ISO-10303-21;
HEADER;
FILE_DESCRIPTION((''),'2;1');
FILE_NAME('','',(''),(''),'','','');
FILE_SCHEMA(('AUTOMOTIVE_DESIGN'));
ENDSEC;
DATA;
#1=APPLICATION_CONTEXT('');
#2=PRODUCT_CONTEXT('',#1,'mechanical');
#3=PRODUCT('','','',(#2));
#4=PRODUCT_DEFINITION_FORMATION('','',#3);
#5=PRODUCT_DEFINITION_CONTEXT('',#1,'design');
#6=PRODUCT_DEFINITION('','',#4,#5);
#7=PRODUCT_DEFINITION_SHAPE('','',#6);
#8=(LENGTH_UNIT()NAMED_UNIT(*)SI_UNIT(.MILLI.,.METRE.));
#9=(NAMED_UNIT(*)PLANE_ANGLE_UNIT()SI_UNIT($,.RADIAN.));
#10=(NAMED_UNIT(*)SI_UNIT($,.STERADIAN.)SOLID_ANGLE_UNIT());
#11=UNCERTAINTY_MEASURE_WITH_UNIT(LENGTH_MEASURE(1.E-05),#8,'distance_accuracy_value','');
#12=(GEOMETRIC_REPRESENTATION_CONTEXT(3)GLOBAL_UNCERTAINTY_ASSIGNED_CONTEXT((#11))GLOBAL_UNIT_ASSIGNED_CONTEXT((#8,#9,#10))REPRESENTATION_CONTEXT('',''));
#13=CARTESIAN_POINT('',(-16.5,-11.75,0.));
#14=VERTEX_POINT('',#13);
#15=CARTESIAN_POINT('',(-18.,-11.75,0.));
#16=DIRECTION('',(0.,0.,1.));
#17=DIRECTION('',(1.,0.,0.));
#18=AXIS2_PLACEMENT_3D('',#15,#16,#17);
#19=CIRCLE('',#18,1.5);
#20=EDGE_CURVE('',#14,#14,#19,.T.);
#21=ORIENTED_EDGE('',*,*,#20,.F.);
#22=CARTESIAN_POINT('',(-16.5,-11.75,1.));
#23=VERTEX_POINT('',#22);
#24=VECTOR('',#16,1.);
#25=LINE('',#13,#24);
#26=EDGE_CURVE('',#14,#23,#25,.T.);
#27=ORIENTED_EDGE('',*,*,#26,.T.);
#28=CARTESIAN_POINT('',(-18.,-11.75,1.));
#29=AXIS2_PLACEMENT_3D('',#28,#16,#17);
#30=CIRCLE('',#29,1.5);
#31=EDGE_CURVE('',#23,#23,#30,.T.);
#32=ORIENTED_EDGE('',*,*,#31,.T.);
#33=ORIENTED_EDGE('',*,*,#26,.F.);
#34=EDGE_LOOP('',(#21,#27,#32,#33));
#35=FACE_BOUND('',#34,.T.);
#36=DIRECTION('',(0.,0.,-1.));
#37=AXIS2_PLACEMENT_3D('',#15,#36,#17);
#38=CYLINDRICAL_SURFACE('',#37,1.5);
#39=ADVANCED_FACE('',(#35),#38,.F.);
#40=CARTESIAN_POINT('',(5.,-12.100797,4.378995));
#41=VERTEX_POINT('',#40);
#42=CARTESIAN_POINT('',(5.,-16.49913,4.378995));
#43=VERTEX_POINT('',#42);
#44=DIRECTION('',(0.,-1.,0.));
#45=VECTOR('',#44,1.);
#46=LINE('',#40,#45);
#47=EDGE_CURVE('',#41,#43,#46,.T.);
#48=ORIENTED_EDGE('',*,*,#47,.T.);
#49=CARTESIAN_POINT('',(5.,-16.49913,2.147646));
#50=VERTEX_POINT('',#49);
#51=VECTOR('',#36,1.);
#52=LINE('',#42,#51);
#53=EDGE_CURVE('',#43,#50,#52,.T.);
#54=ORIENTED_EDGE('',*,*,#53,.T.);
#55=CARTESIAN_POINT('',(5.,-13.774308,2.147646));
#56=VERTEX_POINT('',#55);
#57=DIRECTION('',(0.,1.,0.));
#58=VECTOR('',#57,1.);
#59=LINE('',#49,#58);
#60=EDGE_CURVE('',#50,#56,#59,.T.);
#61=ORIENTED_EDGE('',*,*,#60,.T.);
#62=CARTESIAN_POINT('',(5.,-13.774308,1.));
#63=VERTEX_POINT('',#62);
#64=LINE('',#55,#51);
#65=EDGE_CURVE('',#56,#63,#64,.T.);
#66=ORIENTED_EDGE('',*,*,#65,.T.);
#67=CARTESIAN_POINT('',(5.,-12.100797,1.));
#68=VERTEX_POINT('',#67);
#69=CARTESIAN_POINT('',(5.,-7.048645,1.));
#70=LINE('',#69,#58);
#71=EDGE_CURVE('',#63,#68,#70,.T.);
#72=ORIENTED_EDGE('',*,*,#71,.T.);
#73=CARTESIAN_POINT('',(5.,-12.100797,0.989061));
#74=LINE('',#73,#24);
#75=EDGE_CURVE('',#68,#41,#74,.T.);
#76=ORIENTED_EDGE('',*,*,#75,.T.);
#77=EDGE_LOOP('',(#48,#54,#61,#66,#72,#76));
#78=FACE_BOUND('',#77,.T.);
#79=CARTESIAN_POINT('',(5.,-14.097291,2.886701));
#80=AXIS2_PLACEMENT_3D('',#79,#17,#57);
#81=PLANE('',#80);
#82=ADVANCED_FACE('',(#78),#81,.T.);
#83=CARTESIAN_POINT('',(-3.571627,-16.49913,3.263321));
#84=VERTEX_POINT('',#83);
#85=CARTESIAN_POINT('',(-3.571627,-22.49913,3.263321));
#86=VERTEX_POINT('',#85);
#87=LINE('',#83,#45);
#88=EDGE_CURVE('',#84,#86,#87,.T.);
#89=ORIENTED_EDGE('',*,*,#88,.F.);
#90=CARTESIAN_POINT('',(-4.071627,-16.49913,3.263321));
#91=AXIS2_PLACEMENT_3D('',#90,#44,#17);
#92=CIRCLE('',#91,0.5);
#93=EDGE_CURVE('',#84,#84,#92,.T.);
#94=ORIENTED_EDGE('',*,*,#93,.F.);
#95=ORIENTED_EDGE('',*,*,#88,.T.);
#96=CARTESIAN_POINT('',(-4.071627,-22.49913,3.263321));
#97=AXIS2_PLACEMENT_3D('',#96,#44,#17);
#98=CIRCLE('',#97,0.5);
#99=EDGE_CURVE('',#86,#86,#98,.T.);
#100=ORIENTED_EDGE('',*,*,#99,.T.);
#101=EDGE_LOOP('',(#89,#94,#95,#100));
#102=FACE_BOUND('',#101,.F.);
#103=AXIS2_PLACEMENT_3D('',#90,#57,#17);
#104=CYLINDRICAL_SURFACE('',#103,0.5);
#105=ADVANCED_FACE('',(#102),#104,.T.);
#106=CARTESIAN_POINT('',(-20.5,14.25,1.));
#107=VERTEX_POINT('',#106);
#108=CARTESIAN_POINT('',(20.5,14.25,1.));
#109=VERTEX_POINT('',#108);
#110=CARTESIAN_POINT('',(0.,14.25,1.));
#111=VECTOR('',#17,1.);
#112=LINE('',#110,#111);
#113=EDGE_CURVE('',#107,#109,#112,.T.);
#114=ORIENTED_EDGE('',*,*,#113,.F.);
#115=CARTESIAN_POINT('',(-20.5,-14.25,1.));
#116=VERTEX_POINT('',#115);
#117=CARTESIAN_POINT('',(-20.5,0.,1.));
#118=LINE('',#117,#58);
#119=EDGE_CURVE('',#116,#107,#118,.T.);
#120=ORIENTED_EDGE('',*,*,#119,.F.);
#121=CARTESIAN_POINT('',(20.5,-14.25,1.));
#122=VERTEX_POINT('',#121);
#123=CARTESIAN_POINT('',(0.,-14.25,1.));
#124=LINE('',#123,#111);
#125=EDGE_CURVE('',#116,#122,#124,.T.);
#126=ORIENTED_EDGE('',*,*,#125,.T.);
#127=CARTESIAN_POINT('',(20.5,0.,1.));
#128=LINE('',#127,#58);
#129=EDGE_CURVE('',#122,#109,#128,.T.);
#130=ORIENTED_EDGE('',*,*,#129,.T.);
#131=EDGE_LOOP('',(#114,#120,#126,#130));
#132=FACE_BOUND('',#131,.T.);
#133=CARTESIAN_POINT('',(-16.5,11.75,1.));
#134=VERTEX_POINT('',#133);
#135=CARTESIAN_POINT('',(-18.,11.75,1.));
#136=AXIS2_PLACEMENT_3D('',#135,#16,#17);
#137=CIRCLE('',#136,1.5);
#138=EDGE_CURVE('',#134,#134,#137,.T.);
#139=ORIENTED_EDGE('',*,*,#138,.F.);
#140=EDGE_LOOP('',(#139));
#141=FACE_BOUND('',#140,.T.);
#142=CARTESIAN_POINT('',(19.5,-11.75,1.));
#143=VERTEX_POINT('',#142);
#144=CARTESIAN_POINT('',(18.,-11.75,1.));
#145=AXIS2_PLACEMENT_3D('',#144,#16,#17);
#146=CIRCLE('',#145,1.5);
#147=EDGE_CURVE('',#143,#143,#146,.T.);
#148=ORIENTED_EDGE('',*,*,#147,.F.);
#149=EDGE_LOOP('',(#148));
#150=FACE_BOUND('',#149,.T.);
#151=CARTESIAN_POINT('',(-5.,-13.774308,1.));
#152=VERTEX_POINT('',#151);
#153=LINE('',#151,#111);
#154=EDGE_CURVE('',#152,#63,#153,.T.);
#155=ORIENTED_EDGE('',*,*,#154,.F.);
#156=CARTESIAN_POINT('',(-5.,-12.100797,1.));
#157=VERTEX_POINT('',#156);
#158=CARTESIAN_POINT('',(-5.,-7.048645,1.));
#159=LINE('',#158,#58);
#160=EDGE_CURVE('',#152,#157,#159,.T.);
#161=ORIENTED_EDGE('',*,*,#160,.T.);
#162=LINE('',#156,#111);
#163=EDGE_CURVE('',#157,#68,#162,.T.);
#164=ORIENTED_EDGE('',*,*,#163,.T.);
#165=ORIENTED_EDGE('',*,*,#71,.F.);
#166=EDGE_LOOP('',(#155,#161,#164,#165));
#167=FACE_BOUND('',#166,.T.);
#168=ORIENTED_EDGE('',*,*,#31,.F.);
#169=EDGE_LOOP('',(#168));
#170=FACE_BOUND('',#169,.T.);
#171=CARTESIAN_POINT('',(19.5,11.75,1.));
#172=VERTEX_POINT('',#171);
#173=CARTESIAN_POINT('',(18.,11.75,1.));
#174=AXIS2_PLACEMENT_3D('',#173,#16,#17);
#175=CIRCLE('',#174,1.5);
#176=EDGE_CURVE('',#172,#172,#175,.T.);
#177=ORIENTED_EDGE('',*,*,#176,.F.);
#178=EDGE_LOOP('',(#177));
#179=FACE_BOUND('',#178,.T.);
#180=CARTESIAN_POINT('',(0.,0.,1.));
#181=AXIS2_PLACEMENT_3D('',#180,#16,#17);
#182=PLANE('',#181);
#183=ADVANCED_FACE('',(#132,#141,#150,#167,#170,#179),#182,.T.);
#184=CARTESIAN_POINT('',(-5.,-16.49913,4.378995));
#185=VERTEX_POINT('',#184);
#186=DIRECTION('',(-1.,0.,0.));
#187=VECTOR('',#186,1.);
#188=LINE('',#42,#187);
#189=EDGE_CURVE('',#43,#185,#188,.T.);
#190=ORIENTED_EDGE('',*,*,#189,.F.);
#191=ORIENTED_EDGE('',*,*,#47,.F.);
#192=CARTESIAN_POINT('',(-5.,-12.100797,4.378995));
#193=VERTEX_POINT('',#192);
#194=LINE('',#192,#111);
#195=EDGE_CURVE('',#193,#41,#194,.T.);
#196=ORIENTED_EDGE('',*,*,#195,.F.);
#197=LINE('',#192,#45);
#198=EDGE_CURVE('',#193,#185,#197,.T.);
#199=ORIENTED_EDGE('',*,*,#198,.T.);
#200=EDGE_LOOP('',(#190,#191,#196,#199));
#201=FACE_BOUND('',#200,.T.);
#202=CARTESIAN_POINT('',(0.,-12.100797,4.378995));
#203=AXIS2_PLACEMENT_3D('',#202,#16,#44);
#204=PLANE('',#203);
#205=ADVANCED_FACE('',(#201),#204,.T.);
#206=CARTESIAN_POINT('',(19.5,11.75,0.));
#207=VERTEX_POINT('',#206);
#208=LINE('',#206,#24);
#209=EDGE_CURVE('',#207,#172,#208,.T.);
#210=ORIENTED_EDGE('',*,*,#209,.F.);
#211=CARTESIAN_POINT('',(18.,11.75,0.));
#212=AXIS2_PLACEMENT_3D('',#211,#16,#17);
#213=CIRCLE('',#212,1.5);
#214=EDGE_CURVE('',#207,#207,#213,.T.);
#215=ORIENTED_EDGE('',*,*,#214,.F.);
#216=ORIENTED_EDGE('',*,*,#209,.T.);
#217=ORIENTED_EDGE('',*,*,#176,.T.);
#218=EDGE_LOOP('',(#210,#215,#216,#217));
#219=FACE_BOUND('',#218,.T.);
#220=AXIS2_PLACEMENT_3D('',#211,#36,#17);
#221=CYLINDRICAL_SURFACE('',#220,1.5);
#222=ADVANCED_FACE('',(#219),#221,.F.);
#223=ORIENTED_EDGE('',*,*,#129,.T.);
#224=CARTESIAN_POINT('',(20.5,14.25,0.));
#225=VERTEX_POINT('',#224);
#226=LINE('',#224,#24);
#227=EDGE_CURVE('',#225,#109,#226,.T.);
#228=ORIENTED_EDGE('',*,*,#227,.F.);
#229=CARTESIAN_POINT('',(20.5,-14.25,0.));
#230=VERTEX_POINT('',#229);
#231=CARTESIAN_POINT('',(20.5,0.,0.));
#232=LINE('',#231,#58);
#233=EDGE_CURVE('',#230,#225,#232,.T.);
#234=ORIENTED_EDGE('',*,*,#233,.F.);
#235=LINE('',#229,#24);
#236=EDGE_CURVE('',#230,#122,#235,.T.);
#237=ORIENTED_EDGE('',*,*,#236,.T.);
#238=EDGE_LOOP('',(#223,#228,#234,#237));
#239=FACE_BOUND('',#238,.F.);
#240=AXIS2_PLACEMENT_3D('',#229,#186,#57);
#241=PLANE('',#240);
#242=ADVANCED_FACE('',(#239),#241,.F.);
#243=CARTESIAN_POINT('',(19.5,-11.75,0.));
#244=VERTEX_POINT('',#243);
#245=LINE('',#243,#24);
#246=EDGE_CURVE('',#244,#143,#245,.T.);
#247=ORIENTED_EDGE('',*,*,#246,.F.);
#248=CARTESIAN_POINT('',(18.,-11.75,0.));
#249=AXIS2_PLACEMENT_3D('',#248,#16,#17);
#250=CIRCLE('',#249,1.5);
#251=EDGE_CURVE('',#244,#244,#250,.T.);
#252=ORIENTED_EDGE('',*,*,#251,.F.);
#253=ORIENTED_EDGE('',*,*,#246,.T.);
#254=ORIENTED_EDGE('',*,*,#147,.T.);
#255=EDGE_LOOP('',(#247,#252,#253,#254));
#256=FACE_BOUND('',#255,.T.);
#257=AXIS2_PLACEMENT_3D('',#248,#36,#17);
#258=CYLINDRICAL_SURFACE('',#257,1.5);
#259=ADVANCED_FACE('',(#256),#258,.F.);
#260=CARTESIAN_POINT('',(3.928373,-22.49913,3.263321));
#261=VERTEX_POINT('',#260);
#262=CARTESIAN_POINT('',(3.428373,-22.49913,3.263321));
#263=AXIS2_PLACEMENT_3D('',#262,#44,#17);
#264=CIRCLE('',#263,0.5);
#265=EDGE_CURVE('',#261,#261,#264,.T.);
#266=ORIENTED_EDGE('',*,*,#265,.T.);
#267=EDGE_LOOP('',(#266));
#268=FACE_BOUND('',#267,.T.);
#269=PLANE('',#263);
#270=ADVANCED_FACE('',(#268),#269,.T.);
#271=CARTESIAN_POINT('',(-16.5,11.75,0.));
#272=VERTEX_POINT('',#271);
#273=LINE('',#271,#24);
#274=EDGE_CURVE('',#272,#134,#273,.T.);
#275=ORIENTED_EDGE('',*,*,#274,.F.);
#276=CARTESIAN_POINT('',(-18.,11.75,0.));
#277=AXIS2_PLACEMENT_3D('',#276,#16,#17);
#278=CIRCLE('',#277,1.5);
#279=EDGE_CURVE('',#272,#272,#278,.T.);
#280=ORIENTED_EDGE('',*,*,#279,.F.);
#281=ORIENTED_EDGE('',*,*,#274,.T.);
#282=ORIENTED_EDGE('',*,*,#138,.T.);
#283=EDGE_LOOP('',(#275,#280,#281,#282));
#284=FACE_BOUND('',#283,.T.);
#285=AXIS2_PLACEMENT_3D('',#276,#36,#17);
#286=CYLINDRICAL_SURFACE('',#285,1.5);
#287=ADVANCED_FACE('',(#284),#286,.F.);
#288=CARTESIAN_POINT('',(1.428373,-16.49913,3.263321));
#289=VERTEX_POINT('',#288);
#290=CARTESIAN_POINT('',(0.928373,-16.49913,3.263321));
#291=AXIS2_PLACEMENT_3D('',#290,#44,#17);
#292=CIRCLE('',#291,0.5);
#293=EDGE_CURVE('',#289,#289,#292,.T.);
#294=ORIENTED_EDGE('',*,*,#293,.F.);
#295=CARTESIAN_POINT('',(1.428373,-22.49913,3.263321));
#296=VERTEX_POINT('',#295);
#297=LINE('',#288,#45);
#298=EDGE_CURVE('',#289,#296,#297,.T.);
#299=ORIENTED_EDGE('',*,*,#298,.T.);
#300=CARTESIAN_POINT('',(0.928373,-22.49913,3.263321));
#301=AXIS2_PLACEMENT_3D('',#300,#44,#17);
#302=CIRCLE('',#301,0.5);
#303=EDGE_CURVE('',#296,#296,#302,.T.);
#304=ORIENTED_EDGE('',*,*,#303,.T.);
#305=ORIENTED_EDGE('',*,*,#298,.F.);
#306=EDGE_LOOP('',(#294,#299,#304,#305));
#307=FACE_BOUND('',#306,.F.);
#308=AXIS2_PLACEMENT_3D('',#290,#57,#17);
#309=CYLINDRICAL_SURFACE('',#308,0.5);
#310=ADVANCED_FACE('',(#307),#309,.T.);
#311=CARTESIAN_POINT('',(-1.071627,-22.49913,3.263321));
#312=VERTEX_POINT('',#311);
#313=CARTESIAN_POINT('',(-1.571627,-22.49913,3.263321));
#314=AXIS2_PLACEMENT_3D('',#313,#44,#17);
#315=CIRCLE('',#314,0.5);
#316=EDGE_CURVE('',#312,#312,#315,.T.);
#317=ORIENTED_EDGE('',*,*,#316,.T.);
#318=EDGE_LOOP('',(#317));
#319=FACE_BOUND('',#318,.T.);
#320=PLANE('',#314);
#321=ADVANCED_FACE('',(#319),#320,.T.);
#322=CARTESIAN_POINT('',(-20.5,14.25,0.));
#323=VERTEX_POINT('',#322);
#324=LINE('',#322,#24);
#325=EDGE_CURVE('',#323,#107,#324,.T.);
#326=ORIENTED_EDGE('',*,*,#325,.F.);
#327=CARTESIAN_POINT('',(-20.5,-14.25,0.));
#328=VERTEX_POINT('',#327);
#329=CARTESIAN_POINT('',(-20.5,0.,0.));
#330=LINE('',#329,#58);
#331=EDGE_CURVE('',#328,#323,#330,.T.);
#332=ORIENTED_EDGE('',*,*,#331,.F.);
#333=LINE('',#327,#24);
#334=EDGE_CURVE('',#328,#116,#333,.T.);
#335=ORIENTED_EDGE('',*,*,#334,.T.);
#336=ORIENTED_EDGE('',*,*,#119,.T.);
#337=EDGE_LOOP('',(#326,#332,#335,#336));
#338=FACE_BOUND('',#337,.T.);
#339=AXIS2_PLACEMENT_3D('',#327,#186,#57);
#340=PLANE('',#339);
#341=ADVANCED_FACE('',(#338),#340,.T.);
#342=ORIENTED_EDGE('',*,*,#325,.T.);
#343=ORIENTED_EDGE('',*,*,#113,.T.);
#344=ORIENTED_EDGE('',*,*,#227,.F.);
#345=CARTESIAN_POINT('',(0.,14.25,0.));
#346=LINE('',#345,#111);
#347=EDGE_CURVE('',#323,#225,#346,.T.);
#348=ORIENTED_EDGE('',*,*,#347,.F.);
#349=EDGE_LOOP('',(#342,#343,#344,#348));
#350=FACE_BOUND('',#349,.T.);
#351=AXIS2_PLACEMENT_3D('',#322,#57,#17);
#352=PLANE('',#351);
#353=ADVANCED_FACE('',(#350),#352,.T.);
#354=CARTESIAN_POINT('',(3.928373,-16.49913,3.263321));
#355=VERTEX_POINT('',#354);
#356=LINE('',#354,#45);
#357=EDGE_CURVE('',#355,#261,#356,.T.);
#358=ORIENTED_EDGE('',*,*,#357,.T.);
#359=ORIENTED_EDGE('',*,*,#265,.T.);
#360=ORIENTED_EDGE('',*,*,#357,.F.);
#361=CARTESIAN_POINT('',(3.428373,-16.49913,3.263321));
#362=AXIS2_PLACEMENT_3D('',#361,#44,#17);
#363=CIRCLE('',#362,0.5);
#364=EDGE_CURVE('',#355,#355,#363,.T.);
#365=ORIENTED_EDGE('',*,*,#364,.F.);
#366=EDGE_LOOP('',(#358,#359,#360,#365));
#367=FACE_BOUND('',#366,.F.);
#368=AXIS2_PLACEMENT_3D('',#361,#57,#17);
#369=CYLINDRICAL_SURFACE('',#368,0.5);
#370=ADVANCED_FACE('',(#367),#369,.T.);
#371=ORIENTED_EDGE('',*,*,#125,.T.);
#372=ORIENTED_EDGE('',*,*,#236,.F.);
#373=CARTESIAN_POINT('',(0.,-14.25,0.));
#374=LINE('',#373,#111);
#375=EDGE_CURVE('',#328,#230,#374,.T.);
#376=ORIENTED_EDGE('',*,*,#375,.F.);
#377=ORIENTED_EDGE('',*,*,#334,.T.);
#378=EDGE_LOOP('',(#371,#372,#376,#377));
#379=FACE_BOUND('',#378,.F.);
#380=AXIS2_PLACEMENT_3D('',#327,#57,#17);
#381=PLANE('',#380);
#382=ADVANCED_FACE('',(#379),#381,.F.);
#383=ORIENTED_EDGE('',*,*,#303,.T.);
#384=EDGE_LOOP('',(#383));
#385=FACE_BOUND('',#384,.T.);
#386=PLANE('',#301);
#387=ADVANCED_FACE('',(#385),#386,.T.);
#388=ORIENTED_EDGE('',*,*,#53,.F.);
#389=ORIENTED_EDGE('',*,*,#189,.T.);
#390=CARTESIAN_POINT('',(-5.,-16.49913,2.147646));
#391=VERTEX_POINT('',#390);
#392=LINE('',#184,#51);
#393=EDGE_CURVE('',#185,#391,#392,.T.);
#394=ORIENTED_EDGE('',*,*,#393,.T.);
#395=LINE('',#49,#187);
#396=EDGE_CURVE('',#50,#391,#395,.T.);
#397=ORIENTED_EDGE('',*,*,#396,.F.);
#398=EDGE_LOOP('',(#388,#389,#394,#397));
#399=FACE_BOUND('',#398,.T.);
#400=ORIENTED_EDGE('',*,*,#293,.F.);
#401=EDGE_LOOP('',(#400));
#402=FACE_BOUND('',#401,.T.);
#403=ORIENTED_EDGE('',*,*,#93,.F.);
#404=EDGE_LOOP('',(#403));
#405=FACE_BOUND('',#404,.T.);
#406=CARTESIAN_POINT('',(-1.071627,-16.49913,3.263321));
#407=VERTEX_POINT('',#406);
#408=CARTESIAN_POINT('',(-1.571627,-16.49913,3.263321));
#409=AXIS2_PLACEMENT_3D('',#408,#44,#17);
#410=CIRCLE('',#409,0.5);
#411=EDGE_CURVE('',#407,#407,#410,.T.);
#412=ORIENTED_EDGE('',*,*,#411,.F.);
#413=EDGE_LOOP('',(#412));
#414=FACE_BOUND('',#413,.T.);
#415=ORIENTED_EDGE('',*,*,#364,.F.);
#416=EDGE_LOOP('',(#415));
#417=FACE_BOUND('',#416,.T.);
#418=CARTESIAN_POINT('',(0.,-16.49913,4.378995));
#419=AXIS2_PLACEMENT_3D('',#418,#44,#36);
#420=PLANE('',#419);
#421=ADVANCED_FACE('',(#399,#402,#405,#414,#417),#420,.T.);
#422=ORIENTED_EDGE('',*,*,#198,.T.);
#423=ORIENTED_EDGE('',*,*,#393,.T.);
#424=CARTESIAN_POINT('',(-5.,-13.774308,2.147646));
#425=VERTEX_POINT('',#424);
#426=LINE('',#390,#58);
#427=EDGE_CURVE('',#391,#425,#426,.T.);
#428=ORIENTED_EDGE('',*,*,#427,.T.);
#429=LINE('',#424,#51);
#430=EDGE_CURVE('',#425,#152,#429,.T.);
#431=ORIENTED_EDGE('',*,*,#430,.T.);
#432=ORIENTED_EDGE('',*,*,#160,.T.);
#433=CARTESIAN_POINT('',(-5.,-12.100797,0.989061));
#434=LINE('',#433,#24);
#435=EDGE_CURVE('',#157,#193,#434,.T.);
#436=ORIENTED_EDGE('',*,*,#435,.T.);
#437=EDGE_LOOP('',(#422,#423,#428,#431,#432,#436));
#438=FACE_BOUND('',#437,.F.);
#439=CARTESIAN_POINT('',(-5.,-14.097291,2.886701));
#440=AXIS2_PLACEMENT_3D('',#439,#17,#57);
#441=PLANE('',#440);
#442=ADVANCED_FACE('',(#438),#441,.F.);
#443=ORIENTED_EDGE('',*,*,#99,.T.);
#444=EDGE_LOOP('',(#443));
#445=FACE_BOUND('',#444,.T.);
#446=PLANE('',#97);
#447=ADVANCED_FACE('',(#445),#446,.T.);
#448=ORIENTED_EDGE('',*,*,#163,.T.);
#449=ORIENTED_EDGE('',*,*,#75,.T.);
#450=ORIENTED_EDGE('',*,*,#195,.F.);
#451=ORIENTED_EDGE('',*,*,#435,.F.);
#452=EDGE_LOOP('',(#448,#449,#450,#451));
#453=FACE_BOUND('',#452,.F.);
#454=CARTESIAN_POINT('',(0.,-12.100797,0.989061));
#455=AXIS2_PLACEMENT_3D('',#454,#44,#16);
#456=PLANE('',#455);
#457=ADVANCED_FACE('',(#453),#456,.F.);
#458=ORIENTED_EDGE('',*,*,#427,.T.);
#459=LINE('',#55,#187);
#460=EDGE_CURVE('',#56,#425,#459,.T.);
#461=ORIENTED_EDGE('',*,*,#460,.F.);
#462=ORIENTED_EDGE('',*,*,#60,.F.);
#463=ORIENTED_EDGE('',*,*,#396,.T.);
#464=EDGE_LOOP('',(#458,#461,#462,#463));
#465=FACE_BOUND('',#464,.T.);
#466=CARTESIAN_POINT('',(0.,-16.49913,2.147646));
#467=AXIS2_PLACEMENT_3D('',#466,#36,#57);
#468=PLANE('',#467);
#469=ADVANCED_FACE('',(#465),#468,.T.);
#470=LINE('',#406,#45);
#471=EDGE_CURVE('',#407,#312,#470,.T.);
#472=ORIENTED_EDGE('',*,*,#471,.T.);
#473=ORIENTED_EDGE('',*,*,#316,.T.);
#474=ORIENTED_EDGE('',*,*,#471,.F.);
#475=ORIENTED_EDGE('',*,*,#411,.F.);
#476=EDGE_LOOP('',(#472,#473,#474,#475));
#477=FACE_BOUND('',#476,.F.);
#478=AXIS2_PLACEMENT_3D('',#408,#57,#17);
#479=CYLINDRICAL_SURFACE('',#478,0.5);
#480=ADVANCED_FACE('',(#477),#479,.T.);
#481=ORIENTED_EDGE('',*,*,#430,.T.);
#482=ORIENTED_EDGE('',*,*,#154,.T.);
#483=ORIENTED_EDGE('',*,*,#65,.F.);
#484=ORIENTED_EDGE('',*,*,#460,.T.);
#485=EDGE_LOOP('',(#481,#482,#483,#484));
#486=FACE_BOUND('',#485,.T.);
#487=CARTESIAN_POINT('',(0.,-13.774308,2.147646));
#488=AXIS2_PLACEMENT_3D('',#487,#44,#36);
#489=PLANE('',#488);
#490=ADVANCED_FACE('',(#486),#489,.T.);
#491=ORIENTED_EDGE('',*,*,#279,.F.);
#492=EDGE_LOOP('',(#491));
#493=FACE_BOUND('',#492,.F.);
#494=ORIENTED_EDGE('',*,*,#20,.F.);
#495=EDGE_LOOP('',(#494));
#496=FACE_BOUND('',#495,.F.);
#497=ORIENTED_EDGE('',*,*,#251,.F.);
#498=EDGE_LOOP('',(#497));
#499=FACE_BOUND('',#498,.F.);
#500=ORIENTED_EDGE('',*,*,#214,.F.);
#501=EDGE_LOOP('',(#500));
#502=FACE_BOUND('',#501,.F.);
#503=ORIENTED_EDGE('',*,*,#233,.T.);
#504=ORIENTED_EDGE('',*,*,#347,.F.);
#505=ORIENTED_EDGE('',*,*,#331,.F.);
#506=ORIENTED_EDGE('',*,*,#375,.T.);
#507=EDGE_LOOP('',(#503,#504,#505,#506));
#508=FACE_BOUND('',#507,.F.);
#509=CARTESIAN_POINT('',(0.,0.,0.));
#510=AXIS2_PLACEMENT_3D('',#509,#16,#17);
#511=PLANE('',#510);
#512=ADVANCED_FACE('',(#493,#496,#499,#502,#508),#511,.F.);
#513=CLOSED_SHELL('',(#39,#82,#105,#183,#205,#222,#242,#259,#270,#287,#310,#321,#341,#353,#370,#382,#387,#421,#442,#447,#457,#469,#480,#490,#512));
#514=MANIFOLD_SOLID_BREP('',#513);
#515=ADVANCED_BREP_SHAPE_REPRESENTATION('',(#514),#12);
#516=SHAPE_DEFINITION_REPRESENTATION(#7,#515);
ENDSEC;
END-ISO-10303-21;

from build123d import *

# Parameters (mm, degrees)
F0_W          = 41
F0_H          = 28.5
F0_R          = 1.5
F1_DEPTH      = 1
F3_DEPTH      = 5
F3_DEPTH_BACK = 5
F4_R          = 0.5
F5_DEPTH      = 6


with BuildPart() as f1:
    # F0 (on Top) → F1 (new body)
    with BuildSketch(Plane.XY):
        Rectangle(F0_W, F0_H)
        with Locations((-18, -11.75)):
            Circle(F0_R, mode=Mode.SUBTRACT)
        with Locations((18, -11.75)):
            Circle(F0_R, mode=Mode.SUBTRACT)
        with Locations((-18, 11.75)):
            Circle(F0_R, mode=Mode.SUBTRACT)
        with Locations((18, 11.75)):
            Circle(F0_R, mode=Mode.SUBTRACT)
    extrude(amount=F1_DEPTH)

    # F2 (on Right) → F3 (join, two sides)
    with BuildSketch(Plane.YZ) as f3_sk:
        Polygon((-13.774308, 0.989061), (-12.100797, 0.989061), (-12.100797, 4.378995), (-16.49913, 4.378995), (-16.49913, 2.147646), (-13.774308, 2.147646), align=None)
    extrude(amount=F3_DEPTH)
    extrude(f3_sk.sketch, amount=-F3_DEPTH_BACK)

    # F4 (on face) → F5 (join)
    with BuildSketch(Plane.XZ.offset(16.49913)):
        with Locations((-4.071627, 3.263321)):
            Circle(F4_R)
        with Locations((-1.571627, 3.263321)):
            Circle(F4_R)
        with Locations((0.928373, 3.263321)):
            Circle(F4_R)
        with Locations((3.428373, 3.263321)):
            Circle(F4_R)
    extrude(amount=F5_DEPTH)


solid = f1.part
